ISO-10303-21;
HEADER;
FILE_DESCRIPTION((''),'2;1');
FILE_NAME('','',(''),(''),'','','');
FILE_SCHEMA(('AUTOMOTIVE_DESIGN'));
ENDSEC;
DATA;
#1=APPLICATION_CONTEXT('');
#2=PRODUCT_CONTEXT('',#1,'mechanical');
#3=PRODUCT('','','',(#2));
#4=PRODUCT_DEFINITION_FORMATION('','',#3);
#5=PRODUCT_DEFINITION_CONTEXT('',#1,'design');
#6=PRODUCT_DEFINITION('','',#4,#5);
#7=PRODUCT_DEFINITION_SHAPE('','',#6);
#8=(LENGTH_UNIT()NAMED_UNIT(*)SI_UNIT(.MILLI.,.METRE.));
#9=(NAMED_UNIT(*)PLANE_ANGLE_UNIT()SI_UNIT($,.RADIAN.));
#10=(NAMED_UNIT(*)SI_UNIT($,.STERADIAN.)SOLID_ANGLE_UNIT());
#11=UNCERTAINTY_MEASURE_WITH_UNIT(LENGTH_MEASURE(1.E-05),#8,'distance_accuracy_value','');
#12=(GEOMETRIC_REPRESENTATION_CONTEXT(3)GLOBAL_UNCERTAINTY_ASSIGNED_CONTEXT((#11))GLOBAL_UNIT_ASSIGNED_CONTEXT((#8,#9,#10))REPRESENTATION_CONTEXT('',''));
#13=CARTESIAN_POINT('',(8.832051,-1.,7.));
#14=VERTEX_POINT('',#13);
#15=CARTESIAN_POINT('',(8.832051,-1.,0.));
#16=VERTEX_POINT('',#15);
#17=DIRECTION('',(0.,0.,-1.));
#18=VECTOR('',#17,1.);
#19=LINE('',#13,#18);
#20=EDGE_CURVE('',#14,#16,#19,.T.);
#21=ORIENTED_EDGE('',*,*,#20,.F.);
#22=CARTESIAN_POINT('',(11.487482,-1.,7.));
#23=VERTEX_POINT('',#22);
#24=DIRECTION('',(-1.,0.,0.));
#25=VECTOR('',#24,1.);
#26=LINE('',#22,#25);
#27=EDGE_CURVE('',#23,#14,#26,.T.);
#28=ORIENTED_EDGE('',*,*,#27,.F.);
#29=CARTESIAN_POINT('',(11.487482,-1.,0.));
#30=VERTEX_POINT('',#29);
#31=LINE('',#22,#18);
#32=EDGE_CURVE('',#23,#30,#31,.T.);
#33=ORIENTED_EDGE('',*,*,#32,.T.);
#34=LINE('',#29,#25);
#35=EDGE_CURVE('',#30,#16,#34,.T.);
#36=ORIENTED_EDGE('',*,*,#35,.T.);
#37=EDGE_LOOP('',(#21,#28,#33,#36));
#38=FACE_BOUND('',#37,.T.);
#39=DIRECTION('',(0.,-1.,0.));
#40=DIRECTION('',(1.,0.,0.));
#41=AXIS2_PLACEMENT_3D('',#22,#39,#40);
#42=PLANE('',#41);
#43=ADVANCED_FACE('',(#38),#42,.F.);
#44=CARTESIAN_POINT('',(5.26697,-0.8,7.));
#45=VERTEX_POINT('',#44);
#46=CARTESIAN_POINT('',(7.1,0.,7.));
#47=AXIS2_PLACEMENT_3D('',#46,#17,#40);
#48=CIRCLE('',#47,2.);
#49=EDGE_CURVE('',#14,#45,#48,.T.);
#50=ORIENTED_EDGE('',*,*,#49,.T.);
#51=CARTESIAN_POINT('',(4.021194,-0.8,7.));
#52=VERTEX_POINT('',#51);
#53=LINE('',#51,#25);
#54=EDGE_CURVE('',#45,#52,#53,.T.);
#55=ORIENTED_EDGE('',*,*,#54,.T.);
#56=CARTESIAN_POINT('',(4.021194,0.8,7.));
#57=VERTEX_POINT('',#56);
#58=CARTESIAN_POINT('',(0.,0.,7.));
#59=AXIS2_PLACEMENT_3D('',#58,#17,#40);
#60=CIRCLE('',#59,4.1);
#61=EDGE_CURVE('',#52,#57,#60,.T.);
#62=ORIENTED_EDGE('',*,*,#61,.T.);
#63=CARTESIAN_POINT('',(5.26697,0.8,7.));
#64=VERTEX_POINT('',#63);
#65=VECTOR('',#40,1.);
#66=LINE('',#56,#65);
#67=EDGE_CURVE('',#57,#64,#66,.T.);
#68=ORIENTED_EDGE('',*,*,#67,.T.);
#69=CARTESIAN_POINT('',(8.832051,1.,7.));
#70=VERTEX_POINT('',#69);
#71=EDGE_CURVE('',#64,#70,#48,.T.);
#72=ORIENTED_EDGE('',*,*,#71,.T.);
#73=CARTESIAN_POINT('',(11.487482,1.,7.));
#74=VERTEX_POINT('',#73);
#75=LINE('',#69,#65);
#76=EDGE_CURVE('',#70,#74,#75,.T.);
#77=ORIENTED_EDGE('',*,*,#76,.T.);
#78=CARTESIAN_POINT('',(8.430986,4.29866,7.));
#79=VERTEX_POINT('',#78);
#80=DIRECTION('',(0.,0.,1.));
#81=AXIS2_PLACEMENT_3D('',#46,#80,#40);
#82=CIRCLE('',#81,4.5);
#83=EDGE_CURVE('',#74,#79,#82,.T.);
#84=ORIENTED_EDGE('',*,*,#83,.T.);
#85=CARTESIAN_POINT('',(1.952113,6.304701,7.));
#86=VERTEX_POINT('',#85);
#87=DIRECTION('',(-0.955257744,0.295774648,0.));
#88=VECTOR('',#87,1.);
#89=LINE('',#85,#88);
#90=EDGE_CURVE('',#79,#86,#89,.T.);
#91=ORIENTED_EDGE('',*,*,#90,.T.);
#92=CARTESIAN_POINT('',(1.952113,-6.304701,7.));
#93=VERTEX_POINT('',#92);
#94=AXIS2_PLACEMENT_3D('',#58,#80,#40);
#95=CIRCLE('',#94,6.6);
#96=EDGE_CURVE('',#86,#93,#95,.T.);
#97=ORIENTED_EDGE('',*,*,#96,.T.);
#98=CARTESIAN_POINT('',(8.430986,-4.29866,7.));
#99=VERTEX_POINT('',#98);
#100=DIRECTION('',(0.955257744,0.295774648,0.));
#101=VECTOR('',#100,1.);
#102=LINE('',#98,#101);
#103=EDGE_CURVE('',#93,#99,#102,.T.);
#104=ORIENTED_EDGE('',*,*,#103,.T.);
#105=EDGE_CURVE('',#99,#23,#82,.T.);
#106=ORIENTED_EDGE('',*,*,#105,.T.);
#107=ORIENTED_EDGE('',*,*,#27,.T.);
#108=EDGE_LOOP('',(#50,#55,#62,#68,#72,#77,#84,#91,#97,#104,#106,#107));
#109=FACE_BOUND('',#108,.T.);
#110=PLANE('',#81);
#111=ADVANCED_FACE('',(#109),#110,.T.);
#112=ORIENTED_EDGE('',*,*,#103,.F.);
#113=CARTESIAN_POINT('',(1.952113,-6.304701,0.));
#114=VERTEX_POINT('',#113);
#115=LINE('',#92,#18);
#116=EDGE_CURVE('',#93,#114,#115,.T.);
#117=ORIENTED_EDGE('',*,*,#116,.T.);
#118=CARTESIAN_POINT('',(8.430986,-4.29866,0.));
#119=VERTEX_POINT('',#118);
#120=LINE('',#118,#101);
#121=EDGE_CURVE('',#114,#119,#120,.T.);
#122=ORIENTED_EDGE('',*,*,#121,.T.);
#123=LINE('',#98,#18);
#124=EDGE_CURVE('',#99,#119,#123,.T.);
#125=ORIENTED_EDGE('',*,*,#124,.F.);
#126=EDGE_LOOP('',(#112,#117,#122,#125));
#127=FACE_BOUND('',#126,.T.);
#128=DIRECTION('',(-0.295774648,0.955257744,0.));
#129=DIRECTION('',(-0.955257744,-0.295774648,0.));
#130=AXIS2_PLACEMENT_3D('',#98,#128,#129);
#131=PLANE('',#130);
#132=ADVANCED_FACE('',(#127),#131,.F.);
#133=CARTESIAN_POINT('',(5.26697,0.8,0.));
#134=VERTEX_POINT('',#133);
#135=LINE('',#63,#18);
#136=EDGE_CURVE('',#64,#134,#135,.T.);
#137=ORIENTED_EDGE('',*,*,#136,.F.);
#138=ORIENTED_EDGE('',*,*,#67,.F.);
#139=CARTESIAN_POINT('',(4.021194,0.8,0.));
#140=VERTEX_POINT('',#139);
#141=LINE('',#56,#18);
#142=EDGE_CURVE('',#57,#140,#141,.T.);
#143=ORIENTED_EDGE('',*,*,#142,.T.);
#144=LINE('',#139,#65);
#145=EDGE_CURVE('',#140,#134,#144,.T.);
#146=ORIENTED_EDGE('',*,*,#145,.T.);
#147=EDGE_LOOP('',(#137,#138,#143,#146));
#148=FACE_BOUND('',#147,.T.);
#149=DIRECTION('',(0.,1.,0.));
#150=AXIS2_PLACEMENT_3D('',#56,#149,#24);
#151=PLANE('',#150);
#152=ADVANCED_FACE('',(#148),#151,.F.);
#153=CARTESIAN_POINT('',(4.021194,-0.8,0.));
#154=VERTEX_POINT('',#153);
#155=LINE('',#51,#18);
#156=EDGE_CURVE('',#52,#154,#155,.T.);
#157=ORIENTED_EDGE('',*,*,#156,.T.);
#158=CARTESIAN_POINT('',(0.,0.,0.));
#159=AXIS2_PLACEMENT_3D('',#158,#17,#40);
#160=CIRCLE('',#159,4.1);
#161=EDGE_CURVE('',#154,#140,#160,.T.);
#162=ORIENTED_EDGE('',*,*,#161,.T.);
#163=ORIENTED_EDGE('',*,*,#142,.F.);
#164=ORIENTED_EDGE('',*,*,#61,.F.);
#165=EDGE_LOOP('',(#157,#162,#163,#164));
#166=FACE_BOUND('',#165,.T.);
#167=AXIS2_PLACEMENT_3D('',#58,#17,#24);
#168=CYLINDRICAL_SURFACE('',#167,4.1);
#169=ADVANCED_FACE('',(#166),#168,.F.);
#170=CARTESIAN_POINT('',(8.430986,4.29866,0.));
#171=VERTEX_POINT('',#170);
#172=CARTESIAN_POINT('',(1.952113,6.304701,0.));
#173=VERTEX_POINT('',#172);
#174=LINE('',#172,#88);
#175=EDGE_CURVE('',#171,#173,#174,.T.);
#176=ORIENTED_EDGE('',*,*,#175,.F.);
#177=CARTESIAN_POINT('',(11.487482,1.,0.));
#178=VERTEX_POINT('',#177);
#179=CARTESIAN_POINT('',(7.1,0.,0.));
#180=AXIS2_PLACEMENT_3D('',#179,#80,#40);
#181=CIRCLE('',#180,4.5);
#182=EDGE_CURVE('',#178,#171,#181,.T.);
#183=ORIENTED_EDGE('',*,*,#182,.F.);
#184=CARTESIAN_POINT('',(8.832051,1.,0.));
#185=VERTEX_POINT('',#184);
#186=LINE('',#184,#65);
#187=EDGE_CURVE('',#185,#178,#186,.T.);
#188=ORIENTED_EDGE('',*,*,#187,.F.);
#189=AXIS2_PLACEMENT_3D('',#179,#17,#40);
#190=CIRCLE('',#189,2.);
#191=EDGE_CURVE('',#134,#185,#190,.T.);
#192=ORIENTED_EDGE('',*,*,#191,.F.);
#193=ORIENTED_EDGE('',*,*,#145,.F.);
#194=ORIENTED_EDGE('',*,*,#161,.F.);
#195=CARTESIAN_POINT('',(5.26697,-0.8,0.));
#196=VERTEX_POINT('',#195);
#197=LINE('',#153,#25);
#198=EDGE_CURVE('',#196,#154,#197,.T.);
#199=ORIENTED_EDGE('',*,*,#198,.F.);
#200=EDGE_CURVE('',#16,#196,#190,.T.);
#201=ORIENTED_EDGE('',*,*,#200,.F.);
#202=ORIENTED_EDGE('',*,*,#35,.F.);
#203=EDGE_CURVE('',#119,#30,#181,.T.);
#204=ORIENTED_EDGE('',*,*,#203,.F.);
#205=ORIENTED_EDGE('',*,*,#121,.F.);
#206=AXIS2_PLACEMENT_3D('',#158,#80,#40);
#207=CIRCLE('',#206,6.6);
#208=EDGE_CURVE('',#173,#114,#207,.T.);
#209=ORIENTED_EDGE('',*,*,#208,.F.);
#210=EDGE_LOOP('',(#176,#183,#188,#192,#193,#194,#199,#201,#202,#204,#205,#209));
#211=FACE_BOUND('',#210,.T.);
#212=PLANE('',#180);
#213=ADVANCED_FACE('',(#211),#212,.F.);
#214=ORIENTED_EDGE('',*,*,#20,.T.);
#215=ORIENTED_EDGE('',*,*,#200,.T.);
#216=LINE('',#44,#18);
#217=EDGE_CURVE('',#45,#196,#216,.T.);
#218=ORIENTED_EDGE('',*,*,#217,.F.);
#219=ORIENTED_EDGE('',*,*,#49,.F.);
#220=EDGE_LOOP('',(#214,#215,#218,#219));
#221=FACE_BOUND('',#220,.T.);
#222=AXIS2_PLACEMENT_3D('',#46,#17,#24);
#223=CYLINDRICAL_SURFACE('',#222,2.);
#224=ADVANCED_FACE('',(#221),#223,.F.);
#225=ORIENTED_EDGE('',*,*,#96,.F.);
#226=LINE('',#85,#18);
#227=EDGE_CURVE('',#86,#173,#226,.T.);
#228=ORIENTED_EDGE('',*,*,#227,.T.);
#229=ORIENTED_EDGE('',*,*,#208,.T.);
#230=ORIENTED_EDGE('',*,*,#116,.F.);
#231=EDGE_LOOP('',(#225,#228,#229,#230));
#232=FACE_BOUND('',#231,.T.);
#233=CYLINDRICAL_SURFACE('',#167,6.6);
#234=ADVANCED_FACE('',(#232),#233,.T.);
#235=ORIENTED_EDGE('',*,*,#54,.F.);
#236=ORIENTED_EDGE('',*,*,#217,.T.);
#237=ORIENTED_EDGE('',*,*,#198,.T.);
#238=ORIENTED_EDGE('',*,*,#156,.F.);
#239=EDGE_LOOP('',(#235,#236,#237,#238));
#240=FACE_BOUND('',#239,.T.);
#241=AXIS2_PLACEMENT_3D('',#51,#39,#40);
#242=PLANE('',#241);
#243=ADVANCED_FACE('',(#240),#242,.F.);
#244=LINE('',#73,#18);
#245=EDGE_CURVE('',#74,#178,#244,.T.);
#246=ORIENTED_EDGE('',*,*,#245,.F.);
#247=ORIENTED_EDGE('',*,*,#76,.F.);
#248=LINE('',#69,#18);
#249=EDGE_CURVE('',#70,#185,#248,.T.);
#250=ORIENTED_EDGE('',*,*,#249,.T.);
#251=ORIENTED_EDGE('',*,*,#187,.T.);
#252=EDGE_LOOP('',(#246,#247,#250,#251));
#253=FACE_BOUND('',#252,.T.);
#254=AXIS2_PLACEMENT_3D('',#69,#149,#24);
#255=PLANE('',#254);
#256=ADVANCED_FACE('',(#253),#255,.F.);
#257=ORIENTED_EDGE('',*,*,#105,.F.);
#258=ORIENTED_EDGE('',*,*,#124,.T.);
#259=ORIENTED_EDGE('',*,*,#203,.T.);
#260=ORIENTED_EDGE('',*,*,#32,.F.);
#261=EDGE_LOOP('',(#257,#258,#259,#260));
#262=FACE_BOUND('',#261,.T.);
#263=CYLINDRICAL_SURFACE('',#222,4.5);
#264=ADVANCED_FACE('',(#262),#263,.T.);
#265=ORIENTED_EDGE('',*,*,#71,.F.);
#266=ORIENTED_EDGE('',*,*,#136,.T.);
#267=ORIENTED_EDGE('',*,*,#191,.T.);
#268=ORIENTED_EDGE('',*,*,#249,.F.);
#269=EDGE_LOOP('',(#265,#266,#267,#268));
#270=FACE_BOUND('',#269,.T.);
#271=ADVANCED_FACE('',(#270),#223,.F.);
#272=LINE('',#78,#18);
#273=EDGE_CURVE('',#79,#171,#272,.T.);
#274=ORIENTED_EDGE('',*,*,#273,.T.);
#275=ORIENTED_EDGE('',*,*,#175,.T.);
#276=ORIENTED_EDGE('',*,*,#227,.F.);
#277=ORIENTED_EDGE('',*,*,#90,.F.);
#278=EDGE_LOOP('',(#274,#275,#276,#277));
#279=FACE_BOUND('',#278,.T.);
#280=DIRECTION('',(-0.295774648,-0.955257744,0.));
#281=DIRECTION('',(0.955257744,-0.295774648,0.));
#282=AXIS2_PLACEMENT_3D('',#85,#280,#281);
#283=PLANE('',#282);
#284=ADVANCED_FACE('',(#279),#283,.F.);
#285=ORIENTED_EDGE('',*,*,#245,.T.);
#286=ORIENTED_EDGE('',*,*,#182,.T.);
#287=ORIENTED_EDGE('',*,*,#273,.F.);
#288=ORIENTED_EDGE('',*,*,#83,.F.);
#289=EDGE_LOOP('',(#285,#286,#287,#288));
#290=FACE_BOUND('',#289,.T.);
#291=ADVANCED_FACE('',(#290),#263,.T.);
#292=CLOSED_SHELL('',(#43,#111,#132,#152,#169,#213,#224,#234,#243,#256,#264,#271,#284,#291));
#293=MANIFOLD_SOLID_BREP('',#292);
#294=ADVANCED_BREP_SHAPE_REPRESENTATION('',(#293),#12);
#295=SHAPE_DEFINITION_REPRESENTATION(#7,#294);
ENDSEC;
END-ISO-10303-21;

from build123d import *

# Parameters (mm, degrees)
BOSS_EXTRUDE1_DEPTH = 7


with BuildPart() as part:
    # Sketch1 → Boss-Extrude1 (new body)
    with BuildSketch(Plane.XY):
        with BuildLine():
            Line((1.952112676, 6.304701111), (8.430985915, 4.298659848))
            ThreePointArc((8.430985915, 4.298659848), (10.400834527, 3.058511308), (11.487482194, 1))
            Line((11.487482194, 1), (8.832050808, 1))
            ThreePointArc((8.832050808, 1), (6.987976728, 1.996860232), (5.266969722, 0.8))
            Line((5.266969722, 0.8), (4.021193853, 0.8))
            ThreePointArc((4.021193853, 0.8), (-4.1, 0), (4.021193853, -0.8))
            Line((4.021193853, -0.8), (5.266969722, -0.8))
            ThreePointArc((5.266969722, -0.8), (6.987976728, -1.996860232), (8.832050808, -1))
            Line((8.832050808, -1), (11.487482194, -1))
            ThreePointArc((11.487482194, -1), (10.400834527, -3.058511308), (8.430985915, -4.298659848))
            Line((8.430985915, -4.298659848), (1.952112676, -6.304701111))
            ThreePointArc((1.952112676, -6.304701111), (-6.6, 0), (1.952112676, 6.304701111))
        make_face()
    extrude(amount=BOSS_EXTRUDE1_DEPTH)


solid = part.part
